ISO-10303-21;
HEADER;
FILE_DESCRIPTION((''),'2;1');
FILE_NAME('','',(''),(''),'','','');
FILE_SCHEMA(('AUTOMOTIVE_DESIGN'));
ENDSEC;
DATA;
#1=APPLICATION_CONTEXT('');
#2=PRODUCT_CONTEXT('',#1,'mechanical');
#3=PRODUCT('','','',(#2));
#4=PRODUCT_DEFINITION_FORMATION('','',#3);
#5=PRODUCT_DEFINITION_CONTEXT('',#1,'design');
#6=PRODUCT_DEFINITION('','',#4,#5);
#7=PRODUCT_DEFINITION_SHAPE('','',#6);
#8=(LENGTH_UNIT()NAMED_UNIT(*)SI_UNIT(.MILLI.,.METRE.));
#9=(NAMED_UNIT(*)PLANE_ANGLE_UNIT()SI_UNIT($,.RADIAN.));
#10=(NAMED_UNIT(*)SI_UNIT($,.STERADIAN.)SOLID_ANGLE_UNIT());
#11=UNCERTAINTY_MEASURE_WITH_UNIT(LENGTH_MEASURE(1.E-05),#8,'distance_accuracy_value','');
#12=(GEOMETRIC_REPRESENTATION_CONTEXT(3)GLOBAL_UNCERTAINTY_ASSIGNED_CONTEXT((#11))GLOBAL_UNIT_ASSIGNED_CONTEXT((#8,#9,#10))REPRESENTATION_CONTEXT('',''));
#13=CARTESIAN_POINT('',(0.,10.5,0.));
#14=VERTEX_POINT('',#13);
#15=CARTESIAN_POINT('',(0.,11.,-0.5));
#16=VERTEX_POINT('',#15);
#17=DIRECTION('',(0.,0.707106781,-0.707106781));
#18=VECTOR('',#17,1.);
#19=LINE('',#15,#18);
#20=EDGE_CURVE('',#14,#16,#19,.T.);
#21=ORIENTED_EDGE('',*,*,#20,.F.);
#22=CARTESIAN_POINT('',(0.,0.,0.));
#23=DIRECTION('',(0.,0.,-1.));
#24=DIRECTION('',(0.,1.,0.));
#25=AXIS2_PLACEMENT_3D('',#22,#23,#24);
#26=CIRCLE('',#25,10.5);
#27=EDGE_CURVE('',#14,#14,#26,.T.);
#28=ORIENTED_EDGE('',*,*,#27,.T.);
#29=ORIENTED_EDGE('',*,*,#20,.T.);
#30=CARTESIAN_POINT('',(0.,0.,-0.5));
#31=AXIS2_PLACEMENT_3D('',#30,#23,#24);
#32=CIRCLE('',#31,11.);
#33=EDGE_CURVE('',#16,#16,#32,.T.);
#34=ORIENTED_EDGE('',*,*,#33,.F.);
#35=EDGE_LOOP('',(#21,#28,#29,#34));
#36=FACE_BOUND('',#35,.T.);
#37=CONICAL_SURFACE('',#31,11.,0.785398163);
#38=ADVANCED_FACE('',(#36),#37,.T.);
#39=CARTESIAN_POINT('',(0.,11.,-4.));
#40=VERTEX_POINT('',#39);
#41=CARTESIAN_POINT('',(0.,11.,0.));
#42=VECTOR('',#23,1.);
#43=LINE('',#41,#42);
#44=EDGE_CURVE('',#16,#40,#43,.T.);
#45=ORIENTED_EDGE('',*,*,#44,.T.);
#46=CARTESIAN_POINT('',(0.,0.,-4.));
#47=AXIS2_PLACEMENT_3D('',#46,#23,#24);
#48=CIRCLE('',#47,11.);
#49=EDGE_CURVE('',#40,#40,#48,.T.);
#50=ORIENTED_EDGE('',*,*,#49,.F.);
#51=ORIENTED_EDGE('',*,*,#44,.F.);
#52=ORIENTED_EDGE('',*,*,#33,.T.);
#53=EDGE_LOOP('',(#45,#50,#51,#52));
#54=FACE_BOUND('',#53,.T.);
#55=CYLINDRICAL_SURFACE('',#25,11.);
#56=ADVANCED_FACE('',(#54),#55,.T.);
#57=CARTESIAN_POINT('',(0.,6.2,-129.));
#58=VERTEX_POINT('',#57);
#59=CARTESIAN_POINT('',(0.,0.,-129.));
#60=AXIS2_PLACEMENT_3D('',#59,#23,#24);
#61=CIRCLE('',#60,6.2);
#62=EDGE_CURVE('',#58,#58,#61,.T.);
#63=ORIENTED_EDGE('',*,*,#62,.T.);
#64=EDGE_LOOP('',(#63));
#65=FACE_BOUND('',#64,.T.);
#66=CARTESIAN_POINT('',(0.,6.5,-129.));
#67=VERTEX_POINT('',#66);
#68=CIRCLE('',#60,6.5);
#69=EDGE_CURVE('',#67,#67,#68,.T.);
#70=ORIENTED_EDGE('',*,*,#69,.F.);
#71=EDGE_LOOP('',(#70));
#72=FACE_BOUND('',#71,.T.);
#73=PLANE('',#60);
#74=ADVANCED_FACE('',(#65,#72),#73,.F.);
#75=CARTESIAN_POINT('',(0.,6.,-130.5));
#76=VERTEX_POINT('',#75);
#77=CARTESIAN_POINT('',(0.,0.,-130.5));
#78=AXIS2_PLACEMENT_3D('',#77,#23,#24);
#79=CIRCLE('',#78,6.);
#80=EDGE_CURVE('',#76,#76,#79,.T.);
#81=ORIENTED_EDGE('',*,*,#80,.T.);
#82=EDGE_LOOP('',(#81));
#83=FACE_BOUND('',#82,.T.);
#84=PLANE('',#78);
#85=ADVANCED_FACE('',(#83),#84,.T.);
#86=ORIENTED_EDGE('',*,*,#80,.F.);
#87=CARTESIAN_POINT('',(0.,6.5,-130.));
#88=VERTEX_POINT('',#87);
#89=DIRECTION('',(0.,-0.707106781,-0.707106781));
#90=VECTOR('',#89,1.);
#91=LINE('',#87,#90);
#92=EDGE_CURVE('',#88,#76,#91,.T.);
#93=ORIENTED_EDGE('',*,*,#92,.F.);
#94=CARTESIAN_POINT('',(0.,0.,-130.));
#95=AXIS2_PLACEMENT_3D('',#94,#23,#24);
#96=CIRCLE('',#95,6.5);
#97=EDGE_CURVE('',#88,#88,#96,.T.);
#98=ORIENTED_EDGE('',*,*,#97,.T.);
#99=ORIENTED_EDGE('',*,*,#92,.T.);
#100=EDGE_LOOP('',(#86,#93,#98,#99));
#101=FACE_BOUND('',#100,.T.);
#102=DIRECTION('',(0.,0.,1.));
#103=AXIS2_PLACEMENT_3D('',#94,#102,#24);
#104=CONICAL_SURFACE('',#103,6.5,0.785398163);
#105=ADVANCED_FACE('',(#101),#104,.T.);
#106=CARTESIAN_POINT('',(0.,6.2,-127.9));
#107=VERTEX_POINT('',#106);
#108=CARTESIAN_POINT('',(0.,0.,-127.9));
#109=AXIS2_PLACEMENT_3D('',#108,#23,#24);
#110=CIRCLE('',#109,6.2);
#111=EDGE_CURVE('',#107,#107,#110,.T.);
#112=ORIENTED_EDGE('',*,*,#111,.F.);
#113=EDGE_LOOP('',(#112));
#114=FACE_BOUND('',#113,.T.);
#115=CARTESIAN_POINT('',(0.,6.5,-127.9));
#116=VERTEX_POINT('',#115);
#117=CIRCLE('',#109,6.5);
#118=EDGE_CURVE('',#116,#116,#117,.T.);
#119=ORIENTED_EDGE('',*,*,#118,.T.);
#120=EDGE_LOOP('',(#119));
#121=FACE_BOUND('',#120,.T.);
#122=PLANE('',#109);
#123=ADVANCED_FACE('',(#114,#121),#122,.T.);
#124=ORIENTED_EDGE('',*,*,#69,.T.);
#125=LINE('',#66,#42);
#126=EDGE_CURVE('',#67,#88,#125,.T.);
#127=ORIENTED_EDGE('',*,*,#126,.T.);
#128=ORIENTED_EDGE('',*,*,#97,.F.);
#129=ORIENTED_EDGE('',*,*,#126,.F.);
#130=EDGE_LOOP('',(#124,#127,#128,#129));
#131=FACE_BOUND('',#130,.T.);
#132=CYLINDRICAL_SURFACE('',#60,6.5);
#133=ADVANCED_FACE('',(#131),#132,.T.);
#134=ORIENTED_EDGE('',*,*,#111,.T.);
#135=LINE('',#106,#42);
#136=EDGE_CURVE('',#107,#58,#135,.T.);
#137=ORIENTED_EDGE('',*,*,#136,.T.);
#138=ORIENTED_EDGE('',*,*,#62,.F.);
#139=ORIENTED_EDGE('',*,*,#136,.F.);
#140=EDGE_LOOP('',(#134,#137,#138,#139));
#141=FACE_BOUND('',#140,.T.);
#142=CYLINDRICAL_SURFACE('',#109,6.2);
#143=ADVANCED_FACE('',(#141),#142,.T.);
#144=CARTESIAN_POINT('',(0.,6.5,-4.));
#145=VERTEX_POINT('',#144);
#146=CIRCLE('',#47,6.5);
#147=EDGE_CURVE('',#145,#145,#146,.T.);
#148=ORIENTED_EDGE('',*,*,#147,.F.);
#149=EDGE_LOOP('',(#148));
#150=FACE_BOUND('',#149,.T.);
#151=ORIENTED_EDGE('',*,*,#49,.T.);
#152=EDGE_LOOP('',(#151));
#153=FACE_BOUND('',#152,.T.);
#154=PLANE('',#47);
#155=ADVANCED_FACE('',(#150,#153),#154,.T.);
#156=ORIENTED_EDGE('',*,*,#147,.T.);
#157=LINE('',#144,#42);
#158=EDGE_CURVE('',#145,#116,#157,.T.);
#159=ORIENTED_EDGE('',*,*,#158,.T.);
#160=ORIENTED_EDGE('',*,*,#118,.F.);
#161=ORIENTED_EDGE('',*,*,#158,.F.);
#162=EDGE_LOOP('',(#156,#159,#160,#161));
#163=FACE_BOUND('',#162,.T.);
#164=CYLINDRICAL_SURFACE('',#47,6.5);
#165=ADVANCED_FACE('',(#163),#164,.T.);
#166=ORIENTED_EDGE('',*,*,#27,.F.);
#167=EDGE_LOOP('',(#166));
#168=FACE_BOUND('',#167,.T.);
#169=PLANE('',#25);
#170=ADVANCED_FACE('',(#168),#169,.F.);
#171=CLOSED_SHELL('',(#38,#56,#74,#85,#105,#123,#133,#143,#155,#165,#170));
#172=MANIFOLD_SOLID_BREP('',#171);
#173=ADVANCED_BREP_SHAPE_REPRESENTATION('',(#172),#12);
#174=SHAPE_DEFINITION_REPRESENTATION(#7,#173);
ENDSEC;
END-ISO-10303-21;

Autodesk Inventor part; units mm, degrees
ref_plane "YZ Plane" through (0, 0, 0) normal (1, 0, 0) x (0, 1, 0)
ref_plane "XZ Plane" through (0, 0, 0) normal (0, 1, 0) x (-1, 0, 0)
ref_plane "XY Plane" through (0, 0, 0) normal (0, 0, 1) x (1, 0, 0)
sketch "Náčrt2" plane through (0, 0, 0) normal (1, 0, 0) x (0, 1, 0)
  line L0 (0, 0) -> (0, -130.5)
  line L1 (0, 0) -> (11, 0)
  line L2 (11, 0) -> (11, -4)
  line L3 (11, -4) -> (6.5, -4)
  line L4 (6.5, -4) -> (6.5, -127.9)
  line L5 (6.5, -127.9) -> (6.2, -127.9)
  line L6 (6.2, -127.9) -> (6.2, -129)
  line L7 (6.2, -129) -> (6.5, -129)
  line L8 (6.5, -129) -> (6.5, -130.5)
  line L9 (6.5, -130.5) -> (0, -130.5)
  dimension "d0" = 13
  dimension "d1" = 22
  dimension "d3" = 4
  dimension "d4" = 12.4
  dimension "d5" = 1.1
  dimension "d6" = 1.5
  dimension "d11" = 123.9
  dimension "d12" = 130.5
revolve "Rotace1" add sketch "Náčrt2" angle 360 about axis through (0, 0, 0) along (0, 0, -1)
chamfer "Zkosení1" distance 0.5 angle 45 2 edges at (0, -11, 0) (0, -6.5, -130.5)
properties part number "DD_KVD_003_10_B" material "Nerezová ocel"
